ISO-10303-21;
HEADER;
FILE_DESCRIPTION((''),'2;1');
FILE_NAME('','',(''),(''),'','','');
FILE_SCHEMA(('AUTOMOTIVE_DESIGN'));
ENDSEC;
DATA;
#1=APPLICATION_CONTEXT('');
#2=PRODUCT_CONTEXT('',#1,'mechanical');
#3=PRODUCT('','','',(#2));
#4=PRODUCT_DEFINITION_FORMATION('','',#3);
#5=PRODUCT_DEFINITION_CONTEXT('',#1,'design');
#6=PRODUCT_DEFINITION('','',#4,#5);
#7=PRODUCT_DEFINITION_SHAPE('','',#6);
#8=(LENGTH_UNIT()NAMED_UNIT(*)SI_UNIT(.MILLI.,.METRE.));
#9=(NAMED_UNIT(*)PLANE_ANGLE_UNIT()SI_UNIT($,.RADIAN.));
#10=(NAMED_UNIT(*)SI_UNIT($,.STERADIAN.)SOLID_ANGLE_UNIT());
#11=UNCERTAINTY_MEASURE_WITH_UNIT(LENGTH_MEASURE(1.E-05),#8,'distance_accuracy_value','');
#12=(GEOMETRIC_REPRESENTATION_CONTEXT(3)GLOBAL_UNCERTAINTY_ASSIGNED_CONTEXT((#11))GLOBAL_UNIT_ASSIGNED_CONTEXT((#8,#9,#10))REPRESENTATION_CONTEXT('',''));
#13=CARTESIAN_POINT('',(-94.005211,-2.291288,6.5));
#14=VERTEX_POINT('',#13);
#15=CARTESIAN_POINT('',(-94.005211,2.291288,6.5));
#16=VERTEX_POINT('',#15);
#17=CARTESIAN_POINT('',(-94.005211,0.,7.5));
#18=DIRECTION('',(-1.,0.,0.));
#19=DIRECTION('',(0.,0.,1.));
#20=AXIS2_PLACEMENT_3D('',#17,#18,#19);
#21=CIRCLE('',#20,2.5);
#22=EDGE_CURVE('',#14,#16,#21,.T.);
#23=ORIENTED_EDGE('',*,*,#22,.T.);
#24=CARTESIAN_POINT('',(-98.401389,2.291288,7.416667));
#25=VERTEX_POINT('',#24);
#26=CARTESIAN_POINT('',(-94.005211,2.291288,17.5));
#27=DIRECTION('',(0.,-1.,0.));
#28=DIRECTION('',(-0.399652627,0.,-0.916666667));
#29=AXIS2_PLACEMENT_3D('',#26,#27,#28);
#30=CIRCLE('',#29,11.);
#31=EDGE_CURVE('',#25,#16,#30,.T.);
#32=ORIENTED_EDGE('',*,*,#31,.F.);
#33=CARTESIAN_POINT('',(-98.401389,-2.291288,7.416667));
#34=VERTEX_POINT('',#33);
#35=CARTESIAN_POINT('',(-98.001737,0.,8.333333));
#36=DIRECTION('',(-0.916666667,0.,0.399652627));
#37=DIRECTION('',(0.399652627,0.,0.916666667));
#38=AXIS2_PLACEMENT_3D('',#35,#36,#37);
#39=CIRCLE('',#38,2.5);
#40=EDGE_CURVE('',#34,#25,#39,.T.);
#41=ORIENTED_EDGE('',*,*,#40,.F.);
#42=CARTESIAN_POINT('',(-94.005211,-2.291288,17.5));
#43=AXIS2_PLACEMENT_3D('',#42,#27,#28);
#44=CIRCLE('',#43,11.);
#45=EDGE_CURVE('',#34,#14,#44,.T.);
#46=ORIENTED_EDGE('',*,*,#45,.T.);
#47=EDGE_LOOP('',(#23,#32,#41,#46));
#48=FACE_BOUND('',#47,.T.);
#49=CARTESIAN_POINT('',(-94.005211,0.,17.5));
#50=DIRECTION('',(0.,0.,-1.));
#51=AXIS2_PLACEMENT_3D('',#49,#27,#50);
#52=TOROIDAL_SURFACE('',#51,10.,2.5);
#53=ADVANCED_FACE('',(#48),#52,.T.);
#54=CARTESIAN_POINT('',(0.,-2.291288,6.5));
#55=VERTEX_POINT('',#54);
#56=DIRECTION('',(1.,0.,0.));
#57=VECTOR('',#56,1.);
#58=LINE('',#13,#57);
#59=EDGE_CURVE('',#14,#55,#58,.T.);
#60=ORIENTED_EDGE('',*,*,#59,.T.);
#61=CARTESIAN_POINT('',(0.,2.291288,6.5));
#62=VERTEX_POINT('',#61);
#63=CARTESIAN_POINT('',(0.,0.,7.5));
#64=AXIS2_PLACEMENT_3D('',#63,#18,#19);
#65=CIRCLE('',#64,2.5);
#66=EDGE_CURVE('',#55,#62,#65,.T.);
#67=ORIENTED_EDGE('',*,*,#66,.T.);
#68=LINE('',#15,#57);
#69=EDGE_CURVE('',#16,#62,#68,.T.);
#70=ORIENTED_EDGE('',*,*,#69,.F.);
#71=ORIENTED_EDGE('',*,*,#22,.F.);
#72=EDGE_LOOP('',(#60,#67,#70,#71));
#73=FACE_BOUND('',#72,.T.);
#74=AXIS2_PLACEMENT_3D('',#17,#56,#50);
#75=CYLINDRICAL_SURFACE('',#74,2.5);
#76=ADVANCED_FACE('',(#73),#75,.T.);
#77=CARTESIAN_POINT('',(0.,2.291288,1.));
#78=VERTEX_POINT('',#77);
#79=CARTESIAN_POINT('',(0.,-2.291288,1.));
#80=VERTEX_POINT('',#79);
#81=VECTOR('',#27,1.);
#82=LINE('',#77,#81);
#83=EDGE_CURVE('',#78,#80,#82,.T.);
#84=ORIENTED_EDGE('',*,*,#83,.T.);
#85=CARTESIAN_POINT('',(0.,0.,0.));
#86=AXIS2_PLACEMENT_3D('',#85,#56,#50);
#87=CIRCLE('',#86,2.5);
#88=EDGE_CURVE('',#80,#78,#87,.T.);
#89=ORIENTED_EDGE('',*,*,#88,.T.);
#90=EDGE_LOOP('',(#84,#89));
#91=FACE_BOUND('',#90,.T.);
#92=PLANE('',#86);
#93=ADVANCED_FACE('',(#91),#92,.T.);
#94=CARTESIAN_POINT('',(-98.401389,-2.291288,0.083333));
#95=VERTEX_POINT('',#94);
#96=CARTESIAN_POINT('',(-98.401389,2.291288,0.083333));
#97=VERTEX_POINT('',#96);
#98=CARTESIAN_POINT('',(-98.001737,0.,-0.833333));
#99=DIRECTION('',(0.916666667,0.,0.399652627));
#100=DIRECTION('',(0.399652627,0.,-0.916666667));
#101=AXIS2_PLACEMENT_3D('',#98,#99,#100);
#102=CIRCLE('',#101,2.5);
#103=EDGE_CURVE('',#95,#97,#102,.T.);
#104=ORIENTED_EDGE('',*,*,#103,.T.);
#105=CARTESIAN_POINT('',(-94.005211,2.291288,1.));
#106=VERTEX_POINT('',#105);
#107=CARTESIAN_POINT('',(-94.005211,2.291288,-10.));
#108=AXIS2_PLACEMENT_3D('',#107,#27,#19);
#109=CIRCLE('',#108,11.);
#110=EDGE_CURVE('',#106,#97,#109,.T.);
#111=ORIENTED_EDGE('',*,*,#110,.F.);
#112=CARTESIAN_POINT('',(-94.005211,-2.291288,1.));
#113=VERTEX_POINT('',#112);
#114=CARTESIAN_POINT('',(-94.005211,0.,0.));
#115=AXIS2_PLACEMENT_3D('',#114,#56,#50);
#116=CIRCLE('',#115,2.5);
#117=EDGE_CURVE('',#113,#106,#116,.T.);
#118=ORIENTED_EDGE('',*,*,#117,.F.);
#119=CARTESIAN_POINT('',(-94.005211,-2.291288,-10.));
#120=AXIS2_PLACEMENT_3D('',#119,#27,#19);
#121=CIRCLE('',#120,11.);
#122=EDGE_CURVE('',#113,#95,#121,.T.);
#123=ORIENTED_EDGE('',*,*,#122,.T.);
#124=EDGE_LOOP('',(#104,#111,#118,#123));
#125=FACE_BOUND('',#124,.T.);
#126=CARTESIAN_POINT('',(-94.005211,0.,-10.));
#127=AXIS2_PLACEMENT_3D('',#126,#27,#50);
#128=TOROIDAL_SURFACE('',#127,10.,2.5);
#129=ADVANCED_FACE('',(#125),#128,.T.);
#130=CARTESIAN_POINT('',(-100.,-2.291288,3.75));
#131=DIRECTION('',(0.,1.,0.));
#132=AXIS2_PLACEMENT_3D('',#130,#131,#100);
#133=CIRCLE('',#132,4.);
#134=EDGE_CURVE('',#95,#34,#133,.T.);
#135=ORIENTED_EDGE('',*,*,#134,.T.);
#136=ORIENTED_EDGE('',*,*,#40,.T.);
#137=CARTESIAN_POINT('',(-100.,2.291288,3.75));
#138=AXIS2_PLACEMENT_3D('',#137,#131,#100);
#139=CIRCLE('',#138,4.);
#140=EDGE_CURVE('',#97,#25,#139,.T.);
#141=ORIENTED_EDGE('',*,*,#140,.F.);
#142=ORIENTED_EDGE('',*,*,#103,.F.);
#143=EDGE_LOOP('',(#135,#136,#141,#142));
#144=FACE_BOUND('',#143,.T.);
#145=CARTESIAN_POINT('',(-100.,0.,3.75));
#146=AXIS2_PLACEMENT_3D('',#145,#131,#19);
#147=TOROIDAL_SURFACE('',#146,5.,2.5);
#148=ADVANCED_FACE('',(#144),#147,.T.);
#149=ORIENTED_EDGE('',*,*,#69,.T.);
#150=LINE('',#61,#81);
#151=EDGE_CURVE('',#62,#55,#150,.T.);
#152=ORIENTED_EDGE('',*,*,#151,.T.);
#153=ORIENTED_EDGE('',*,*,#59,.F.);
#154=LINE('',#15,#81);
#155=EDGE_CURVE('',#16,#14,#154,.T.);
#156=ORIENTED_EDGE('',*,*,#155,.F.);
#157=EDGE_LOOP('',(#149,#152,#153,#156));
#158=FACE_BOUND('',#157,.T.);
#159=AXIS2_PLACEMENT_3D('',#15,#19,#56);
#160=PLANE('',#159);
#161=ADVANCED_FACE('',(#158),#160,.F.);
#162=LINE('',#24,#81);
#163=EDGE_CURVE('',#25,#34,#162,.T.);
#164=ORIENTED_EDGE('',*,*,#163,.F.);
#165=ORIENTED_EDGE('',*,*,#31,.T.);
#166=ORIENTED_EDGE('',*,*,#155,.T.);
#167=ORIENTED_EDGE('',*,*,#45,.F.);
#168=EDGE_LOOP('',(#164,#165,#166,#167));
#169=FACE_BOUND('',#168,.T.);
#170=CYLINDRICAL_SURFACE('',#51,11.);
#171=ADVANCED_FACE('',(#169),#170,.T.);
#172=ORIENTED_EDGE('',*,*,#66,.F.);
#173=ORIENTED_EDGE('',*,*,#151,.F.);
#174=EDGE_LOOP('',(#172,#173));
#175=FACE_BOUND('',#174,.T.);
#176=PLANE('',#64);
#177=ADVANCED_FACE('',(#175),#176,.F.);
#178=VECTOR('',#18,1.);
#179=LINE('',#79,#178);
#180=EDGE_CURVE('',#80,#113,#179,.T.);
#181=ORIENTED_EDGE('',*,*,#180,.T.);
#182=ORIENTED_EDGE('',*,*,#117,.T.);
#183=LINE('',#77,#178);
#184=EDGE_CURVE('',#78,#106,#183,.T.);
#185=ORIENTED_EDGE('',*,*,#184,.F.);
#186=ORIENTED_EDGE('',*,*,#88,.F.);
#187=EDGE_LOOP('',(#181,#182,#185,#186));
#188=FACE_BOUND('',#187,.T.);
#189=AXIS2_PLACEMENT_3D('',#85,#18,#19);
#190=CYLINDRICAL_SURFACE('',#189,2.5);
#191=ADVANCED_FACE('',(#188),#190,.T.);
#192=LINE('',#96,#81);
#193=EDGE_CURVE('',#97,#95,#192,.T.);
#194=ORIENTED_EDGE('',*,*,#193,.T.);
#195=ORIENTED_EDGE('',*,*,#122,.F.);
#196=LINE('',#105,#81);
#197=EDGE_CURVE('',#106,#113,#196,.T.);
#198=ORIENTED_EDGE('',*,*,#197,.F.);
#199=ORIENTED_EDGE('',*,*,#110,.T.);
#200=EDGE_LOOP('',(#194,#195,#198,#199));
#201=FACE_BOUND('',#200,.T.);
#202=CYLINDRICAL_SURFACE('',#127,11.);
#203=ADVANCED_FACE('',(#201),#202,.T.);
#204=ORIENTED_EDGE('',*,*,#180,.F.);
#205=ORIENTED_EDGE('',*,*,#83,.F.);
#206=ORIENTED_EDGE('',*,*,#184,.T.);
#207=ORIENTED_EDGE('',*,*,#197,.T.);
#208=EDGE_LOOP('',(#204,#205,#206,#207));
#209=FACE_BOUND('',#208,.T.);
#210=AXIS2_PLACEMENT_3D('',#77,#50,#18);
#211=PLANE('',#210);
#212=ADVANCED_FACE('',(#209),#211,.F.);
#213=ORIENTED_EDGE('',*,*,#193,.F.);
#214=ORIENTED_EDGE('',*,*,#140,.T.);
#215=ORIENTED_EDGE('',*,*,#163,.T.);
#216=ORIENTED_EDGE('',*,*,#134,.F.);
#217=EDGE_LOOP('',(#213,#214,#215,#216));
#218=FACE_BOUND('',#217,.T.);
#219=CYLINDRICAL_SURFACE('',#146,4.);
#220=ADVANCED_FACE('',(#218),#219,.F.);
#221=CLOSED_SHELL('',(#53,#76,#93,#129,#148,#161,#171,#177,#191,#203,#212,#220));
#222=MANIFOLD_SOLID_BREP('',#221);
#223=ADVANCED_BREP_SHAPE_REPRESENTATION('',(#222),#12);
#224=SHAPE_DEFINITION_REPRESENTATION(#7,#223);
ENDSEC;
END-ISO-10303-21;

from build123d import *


with BuildPart() as part:
    # Sweep1: sweep along a path in Path
    with BuildLine(Plane(origin=(0, 0, 0), x_dir=(1, 0, 0), z_dir=(0, 1, 0))) as sweep1_path:
        Line((0, 0), (-94.005210596, 0))
        ThreePointArc((-94.005210596, 0), (-96.046452048, 0.210549896), (-98.001736865, 0.833333333))
        ThreePointArc((-98.001736865, 0.833333333), (-105, -3.75), (-98.001736865, -8.333333333))
        ThreePointArc((-98.001736865, -8.333333333), (-96.046452048, -7.710549896), (-94.005210596, -7.5))
        Line((-94.005210596, -7.5), (0, -7.5))
    # Cross-section → Sweep1 (sweep)
    with BuildSketch(Plane(origin=(0, 0, 0), x_dir=(0, 0, -1), z_dir=(1, 0, 0))):
        with BuildLine():
            Line((-1, 2.291287847), (-1, -2.291287847))
            ThreePointArc((-1, -2.291287847), (2.5, 0), (-1, 2.291287847))
        make_face()
    sweep(path=sweep1_path.line)


solid = part.part
